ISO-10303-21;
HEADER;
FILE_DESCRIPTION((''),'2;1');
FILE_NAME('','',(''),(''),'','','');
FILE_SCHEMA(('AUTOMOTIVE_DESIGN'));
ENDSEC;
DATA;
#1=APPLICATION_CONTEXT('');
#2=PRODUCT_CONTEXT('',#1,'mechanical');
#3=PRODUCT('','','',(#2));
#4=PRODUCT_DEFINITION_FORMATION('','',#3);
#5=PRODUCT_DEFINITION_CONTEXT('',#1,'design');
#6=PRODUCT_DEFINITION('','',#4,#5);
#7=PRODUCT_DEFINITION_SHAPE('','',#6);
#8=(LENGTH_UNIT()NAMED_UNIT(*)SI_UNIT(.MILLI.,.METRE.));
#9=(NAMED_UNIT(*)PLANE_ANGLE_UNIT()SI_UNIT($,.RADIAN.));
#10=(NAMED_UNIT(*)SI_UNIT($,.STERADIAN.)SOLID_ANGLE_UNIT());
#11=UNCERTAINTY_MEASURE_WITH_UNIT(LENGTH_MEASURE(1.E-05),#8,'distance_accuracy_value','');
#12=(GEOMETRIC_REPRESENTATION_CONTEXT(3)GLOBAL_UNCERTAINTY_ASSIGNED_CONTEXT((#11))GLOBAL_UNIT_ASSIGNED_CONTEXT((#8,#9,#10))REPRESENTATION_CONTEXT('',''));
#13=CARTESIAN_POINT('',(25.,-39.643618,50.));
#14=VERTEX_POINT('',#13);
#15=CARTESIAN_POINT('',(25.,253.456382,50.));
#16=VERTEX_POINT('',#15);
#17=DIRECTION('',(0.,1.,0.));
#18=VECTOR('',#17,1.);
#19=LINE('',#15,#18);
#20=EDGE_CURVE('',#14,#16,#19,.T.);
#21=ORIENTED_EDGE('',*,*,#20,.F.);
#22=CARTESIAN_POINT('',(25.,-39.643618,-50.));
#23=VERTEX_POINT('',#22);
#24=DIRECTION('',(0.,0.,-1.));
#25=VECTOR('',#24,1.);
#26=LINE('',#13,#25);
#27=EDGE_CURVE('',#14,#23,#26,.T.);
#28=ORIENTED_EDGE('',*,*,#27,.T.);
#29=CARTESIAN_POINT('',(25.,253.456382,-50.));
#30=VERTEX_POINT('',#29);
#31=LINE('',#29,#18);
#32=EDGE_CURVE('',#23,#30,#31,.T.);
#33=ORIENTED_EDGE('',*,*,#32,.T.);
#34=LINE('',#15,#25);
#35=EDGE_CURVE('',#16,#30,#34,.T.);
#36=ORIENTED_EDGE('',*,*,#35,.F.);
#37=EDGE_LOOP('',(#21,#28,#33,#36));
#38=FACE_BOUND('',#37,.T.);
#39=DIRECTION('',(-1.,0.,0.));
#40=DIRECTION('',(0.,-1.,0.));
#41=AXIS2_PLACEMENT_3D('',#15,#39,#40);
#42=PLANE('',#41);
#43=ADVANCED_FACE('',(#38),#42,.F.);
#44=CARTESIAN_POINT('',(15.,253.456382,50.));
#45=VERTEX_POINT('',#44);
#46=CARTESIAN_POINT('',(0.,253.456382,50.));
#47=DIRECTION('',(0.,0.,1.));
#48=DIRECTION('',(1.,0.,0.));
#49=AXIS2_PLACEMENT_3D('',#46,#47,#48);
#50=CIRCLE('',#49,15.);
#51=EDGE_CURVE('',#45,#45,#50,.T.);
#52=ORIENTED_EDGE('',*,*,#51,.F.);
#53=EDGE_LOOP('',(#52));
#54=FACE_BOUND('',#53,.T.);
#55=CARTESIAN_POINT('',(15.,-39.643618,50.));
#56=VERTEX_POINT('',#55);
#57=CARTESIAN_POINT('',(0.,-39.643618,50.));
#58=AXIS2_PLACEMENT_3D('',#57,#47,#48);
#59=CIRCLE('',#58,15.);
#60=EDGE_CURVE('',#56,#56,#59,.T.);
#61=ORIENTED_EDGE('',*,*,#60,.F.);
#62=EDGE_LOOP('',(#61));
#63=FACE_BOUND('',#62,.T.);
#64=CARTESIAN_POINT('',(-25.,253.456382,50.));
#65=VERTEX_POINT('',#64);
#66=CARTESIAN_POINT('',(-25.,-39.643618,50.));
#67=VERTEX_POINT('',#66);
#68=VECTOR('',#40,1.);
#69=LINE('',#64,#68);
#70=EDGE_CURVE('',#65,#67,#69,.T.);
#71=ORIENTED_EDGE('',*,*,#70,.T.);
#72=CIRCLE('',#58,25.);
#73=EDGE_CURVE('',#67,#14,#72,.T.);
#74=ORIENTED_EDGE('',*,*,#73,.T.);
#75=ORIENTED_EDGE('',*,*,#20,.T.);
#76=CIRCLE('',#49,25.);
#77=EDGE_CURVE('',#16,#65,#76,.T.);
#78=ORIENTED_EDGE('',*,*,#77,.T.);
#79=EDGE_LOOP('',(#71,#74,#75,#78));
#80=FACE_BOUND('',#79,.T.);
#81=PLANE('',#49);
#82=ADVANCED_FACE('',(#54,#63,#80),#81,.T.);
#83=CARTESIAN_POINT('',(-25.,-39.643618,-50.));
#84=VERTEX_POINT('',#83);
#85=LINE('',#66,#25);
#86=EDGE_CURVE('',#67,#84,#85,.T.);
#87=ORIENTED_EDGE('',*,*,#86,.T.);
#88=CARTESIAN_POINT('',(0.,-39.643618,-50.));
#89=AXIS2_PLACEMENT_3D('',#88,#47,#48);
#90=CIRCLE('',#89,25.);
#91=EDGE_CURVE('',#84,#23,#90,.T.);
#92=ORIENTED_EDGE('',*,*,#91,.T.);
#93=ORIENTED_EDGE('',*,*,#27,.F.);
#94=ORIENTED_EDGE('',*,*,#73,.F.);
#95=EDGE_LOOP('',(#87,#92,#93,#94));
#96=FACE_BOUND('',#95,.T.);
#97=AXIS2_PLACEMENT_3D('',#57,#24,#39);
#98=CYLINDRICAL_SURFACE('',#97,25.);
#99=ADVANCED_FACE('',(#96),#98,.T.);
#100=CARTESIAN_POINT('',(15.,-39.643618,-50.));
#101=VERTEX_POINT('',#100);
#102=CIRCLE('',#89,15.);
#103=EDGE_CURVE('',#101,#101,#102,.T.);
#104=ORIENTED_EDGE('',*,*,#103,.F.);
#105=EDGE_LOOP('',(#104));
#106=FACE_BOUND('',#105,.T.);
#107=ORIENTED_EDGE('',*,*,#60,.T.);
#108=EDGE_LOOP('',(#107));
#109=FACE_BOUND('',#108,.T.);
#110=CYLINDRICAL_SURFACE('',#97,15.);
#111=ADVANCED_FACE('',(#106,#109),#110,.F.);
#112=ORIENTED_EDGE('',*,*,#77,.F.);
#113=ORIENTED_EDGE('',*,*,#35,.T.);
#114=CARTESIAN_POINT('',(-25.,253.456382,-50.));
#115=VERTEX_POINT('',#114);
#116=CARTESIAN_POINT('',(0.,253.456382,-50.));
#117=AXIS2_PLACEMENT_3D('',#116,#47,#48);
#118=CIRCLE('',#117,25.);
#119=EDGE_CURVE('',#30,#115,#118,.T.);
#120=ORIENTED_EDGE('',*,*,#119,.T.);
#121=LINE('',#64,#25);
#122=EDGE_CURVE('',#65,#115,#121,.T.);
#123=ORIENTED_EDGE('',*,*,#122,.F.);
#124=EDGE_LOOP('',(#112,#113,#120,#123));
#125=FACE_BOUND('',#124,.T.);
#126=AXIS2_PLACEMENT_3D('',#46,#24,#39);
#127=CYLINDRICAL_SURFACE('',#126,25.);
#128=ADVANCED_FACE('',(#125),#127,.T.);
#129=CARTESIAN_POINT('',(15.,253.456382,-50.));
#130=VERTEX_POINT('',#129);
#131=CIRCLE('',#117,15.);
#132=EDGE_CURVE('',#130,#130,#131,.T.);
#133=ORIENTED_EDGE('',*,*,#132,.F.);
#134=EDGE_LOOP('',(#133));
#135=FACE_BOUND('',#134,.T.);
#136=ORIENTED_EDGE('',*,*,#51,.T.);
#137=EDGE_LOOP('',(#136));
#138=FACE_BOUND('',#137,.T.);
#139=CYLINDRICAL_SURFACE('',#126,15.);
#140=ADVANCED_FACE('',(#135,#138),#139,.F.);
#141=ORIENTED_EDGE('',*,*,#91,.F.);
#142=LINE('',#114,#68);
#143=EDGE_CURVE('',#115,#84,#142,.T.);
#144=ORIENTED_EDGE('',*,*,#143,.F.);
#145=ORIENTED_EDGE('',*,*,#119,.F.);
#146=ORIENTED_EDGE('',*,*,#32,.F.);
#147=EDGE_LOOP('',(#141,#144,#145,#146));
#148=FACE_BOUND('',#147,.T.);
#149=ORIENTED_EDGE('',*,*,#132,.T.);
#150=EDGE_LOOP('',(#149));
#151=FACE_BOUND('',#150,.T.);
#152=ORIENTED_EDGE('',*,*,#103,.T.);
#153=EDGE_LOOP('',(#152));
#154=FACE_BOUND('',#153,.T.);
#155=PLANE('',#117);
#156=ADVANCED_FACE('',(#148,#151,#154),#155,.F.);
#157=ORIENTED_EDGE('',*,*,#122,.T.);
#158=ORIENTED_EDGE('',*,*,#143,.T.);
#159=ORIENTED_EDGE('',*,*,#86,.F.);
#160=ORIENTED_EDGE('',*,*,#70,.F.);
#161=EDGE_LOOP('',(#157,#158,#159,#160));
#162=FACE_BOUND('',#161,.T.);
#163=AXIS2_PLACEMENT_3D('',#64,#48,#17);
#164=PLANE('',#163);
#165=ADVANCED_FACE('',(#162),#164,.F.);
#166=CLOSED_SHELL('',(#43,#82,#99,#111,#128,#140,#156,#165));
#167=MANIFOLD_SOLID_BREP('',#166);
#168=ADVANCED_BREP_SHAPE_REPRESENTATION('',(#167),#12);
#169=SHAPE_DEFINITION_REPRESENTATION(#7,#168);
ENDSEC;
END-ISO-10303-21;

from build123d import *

# Parameters (mm, degrees)
SCHIZZO2_R                   = 15
ESTRUSIONE_ESTRUSIONE1_DEPTH = 50


with BuildPart() as part:
    # Schizzo2 → Estrusione-Estrusione1 (new, symmetric)
    with BuildSketch(Plane.XY):
        with BuildLine():
            Line((25, 253.456382451), (25, -39.643617549))
            ThreePointArc((25, -39.643617549), (0, -64.643617549), (-25, -39.643617549))
            Line((-25, -39.643617549), (-25, 253.456382451))
            ThreePointArc((-25, 253.456382451), (0, 278.456382451), (25, 253.456382451))
        make_face()
        with Locations((0, 253.456382451)):
            Circle(SCHIZZO2_R, mode=Mode.SUBTRACT)
        with Locations((0, -39.643617549)):
            Circle(SCHIZZO2_R, mode=Mode.SUBTRACT)
    extrude(amount=ESTRUSIONE_ESTRUSIONE1_DEPTH, both=True)


solid = part.part
